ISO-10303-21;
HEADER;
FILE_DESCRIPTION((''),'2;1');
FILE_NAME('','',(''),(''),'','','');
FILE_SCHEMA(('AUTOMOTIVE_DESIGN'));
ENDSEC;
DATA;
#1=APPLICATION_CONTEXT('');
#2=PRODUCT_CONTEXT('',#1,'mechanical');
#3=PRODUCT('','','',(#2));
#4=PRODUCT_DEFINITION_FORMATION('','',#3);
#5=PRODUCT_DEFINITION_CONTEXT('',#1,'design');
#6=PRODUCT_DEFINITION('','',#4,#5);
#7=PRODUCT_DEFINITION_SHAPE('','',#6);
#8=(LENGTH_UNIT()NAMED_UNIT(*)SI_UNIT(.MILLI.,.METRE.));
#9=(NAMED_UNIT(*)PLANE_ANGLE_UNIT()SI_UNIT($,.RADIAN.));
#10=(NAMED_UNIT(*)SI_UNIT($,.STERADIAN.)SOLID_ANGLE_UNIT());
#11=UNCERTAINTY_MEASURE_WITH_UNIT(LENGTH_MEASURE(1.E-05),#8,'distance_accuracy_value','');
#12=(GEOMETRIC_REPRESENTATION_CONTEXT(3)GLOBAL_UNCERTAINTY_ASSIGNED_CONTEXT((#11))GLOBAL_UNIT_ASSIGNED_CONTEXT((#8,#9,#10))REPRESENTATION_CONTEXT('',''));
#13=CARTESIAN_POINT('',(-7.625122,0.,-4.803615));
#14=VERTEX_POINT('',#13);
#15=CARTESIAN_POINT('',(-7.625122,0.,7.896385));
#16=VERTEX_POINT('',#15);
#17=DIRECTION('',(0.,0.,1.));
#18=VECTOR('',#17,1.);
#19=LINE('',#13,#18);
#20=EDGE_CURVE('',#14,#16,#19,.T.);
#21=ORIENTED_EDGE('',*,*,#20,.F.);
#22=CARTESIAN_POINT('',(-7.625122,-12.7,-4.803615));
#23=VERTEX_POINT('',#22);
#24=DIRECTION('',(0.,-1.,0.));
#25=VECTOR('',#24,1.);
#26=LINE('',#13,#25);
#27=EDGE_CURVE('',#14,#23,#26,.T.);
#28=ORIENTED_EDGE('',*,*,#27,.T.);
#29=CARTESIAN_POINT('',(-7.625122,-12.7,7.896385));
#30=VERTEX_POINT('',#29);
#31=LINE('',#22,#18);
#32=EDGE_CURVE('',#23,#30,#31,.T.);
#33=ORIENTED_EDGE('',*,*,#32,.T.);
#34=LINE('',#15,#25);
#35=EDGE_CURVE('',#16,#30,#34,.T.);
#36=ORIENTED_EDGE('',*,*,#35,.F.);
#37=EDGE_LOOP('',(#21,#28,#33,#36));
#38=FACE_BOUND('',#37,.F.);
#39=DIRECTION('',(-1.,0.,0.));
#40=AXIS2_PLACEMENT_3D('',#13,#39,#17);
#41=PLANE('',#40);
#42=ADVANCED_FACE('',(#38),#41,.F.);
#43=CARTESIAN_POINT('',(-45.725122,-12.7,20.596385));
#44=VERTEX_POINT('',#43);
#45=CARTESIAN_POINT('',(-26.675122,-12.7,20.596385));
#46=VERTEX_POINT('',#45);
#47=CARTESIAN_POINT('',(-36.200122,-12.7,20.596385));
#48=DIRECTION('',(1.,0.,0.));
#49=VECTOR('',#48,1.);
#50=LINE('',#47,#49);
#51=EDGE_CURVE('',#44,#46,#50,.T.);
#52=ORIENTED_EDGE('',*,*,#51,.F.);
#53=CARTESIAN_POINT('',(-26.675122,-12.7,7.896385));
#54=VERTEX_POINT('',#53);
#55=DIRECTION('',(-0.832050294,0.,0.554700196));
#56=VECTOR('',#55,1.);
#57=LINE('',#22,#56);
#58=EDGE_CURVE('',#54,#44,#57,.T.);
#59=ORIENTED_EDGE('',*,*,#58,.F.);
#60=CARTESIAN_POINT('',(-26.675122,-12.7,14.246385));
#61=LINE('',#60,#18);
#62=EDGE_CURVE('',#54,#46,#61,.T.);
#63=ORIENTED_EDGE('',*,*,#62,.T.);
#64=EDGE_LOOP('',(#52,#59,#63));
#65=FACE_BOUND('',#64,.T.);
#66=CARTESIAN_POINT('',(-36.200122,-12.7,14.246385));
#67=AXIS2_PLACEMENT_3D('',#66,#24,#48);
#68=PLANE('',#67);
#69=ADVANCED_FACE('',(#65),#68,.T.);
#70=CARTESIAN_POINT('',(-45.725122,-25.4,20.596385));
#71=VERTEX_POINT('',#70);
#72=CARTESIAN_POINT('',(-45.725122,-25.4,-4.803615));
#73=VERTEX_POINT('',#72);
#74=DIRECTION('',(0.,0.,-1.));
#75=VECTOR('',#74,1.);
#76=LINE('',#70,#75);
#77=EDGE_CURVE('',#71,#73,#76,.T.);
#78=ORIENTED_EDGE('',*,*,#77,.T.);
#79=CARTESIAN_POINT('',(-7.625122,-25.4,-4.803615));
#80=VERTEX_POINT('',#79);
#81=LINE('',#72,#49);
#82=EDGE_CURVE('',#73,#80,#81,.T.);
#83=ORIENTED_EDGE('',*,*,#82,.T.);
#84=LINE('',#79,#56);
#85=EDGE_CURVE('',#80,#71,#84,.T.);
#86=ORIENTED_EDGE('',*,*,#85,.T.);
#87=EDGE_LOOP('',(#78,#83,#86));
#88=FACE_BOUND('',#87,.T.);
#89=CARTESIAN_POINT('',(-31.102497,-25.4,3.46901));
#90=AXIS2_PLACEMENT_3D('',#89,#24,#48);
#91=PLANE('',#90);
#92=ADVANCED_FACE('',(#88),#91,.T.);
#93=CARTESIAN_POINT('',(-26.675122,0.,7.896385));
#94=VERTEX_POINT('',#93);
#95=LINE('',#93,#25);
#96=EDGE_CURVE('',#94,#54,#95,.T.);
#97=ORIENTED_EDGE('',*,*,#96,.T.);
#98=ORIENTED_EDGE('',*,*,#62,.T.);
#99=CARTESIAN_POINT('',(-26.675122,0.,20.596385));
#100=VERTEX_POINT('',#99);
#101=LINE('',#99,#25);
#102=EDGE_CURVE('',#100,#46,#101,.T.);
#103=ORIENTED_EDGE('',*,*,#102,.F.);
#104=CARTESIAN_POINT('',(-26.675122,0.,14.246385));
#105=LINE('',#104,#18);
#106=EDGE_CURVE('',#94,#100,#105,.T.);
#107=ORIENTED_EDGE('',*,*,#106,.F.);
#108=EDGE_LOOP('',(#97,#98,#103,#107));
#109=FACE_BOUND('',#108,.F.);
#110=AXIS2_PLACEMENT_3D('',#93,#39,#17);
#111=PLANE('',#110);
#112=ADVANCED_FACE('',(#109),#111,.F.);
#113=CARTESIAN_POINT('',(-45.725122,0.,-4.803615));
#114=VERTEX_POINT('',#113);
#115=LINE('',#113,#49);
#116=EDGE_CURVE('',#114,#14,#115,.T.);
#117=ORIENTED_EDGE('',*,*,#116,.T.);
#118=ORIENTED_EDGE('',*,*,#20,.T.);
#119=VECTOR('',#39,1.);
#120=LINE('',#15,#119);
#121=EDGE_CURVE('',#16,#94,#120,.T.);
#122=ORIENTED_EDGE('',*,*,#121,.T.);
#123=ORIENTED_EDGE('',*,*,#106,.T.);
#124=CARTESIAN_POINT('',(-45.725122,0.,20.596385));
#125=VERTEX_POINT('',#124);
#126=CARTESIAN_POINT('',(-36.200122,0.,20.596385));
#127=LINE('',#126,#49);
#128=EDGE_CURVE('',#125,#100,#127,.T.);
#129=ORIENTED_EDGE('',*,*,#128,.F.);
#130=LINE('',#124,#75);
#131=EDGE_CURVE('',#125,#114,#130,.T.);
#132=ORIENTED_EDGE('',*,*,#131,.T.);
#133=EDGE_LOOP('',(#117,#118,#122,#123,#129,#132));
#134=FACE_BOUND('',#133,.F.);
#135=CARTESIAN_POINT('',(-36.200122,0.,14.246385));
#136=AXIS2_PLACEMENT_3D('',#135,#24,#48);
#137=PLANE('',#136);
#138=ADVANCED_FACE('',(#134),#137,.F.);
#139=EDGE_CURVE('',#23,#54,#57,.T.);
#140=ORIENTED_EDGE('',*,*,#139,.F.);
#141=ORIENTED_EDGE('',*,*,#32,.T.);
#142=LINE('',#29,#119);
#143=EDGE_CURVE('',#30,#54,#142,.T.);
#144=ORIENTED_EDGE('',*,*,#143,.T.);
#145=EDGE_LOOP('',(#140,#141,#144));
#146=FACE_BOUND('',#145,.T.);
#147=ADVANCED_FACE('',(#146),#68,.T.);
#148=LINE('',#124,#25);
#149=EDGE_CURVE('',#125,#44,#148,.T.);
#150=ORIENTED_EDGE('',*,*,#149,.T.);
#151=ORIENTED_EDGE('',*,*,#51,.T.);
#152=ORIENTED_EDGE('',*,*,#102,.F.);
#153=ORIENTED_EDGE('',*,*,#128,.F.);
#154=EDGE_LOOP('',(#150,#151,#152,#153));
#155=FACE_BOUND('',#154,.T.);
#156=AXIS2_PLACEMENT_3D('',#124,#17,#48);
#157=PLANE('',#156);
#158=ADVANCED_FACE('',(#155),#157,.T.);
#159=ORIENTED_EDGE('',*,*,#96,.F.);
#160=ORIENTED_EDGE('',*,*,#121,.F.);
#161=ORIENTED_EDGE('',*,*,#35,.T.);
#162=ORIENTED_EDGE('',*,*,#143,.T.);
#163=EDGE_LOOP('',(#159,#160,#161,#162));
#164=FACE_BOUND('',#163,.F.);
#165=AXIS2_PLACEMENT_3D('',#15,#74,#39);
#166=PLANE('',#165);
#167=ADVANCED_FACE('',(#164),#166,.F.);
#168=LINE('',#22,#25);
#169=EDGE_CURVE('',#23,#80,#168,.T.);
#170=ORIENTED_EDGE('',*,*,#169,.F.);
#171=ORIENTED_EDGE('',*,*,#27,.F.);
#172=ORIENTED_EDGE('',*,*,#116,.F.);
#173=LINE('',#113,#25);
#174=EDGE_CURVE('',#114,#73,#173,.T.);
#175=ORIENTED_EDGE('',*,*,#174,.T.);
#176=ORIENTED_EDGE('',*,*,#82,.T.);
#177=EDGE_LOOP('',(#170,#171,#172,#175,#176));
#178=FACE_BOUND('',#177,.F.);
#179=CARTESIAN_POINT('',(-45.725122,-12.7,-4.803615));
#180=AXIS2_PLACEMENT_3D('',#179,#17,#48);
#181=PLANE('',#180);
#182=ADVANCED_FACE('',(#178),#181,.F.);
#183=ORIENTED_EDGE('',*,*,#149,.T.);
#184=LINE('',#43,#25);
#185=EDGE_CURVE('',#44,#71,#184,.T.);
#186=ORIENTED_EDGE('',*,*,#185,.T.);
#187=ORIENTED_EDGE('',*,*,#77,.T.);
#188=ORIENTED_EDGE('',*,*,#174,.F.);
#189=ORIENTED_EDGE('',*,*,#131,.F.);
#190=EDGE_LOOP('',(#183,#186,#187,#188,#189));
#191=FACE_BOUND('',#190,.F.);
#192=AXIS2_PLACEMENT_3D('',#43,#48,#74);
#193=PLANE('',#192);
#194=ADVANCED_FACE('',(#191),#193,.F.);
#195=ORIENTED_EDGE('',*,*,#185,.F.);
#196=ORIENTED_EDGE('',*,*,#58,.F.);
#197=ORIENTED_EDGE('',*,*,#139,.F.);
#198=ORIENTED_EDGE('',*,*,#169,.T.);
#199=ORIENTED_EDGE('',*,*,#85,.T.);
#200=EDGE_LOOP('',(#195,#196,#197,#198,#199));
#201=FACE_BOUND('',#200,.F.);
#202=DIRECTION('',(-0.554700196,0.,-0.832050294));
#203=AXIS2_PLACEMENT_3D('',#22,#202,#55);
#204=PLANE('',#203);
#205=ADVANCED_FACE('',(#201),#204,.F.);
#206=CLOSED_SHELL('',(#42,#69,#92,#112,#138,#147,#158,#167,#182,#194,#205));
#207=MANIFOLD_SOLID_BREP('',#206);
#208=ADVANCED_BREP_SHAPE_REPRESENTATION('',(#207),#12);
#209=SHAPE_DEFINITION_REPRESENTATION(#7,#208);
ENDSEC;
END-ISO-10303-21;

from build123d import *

# Parameters (mm, degrees)
F0_W     = 19.05
F0_H     = 12.7
F1_DEPTH = 12.7
F3_DEPTH = 12.7


with BuildPart() as f1:
    # F0 (on Front) → F1 (new body)
    with BuildSketch(Plane.XZ):
        with Locations((-36.200122, 14.246385)):
            Rectangle(F0_W, F0_H)
        Polygon((-26.675122, 7.896385), (-45.725122, 7.896385), (-45.725122, -4.803615), (-7.625122, -4.803615), (-7.625122, 7.896385), align=None)
    extrude(amount=F1_DEPTH)

    # F2 (on face) → F3 (join)
    with BuildSketch(Plane.XZ.offset(12.7)):
        Polygon((-26.675122, 7.896385), (-45.725122, 20.596385), (-45.725122, 18.419569), (-45.725122, -4.803615), (-7.625122, -4.803615), align=None)
    extrude(amount=F3_DEPTH)


solid = f1.part
